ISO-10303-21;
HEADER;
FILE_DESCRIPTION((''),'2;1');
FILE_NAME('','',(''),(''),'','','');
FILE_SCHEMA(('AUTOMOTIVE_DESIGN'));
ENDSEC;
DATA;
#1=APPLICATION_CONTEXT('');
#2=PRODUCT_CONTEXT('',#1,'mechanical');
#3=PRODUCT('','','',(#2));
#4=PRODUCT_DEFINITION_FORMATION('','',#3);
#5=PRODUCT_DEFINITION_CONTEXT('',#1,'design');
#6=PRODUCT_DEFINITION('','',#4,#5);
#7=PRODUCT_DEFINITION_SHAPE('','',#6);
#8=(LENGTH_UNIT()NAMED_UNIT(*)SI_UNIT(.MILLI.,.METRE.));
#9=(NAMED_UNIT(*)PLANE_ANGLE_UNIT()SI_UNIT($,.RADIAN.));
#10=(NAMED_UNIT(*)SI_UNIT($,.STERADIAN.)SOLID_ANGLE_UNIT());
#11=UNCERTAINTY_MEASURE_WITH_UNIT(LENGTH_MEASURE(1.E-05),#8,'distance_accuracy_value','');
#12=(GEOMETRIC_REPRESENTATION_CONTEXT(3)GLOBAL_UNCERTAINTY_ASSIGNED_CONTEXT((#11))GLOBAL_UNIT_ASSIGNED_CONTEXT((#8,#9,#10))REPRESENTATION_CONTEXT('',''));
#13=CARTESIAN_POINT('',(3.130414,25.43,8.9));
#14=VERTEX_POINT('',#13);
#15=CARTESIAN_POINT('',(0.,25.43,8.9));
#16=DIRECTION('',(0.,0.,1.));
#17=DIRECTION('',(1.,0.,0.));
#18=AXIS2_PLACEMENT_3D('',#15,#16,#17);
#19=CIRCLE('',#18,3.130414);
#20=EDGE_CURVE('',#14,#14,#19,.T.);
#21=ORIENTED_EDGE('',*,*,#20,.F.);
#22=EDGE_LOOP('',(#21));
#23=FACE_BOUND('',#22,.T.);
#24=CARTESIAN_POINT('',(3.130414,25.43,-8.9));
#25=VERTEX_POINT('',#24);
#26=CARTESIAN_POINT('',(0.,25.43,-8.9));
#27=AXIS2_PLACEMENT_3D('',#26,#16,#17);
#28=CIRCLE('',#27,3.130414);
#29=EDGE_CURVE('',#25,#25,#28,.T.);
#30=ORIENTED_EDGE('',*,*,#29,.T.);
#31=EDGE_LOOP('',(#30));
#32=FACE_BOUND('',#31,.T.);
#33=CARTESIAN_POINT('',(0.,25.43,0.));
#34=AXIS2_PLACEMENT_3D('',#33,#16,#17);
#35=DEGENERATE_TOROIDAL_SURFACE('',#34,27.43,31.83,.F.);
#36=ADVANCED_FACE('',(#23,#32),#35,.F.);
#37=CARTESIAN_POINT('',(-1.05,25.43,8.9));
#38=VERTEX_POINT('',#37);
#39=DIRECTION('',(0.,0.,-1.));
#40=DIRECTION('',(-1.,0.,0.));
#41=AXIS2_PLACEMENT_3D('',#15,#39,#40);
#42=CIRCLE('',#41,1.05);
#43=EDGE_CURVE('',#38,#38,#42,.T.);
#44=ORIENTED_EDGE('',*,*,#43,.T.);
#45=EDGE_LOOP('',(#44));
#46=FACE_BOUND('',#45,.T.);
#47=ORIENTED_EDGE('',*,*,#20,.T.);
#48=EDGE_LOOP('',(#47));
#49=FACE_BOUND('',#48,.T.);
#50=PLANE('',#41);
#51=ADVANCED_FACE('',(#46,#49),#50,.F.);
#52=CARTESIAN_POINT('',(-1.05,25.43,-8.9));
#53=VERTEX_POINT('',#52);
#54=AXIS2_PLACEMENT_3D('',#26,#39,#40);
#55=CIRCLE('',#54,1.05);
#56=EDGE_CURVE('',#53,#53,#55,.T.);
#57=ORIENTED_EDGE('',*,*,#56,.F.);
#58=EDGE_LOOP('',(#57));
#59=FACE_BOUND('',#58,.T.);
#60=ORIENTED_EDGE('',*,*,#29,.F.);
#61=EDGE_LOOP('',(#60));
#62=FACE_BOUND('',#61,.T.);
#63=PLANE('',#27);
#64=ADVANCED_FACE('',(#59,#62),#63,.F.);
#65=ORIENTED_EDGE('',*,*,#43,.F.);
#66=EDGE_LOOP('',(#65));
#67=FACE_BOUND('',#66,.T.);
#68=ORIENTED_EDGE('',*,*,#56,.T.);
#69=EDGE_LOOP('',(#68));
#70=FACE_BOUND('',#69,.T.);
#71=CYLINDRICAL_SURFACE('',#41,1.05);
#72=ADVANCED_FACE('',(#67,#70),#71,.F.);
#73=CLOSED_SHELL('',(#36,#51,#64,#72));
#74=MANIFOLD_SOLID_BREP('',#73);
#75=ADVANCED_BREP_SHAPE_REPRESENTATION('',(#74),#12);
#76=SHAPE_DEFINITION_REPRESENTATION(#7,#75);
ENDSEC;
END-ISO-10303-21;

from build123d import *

# Parameters (mm, degrees)
SKETCH2_R          = 1.05
CUT_EXTRUDE1_DEPTH = 36.014695635


with BuildPart() as part:
    # Sketch1 → Revolve1 (revolve)
    with BuildSketch(Plane(origin=(0, 0, 0), x_dir=(0, 0, -1), z_dir=(1, 0, 0)), mode=Mode.PRIVATE) as revolve1_sk:
        with BuildLine():
            Line((-8.5, 25.43), (8.9, 25.43))
            Line((8.9, 25.43), (8.9, 28.560413937))
            ThreePointArc((8.9, 28.560413937), (8.700185615, 28.617897875), (8.5, 28.674075373))
            ThreePointArc((8.5, 28.674075373), (0, 29.83), (-8.5, 28.674075373))
            ThreePointArc((-8.5, 28.674075373), (-8.700185615, 28.617897875), (-8.9, 28.560413937))
            Line((-8.9, 28.560413937), (-8.9, 25.43))
            Line((-8.9, 25.43), (-8.5, 25.43))
        make_face()
    revolve(revolve1_sk.sketch.rotate(Axis((0, 25.43, 0), (0, 0, -1)), 90), axis=Axis((0, 25.43, 0), (0, 0, -1)))

    # Sketch2 → Cut-Extrude1 (cut, through all)
    with BuildSketch(Plane(origin=(0, 0, -8.9), x_dir=(-1, 0, 0), z_dir=(0, 0, -1))):
        with Locations((0, 25.43)):
            Circle(SKETCH2_R)
    extrude(amount=-CUT_EXTRUDE1_DEPTH, mode=Mode.SUBTRACT)


solid = part.part
